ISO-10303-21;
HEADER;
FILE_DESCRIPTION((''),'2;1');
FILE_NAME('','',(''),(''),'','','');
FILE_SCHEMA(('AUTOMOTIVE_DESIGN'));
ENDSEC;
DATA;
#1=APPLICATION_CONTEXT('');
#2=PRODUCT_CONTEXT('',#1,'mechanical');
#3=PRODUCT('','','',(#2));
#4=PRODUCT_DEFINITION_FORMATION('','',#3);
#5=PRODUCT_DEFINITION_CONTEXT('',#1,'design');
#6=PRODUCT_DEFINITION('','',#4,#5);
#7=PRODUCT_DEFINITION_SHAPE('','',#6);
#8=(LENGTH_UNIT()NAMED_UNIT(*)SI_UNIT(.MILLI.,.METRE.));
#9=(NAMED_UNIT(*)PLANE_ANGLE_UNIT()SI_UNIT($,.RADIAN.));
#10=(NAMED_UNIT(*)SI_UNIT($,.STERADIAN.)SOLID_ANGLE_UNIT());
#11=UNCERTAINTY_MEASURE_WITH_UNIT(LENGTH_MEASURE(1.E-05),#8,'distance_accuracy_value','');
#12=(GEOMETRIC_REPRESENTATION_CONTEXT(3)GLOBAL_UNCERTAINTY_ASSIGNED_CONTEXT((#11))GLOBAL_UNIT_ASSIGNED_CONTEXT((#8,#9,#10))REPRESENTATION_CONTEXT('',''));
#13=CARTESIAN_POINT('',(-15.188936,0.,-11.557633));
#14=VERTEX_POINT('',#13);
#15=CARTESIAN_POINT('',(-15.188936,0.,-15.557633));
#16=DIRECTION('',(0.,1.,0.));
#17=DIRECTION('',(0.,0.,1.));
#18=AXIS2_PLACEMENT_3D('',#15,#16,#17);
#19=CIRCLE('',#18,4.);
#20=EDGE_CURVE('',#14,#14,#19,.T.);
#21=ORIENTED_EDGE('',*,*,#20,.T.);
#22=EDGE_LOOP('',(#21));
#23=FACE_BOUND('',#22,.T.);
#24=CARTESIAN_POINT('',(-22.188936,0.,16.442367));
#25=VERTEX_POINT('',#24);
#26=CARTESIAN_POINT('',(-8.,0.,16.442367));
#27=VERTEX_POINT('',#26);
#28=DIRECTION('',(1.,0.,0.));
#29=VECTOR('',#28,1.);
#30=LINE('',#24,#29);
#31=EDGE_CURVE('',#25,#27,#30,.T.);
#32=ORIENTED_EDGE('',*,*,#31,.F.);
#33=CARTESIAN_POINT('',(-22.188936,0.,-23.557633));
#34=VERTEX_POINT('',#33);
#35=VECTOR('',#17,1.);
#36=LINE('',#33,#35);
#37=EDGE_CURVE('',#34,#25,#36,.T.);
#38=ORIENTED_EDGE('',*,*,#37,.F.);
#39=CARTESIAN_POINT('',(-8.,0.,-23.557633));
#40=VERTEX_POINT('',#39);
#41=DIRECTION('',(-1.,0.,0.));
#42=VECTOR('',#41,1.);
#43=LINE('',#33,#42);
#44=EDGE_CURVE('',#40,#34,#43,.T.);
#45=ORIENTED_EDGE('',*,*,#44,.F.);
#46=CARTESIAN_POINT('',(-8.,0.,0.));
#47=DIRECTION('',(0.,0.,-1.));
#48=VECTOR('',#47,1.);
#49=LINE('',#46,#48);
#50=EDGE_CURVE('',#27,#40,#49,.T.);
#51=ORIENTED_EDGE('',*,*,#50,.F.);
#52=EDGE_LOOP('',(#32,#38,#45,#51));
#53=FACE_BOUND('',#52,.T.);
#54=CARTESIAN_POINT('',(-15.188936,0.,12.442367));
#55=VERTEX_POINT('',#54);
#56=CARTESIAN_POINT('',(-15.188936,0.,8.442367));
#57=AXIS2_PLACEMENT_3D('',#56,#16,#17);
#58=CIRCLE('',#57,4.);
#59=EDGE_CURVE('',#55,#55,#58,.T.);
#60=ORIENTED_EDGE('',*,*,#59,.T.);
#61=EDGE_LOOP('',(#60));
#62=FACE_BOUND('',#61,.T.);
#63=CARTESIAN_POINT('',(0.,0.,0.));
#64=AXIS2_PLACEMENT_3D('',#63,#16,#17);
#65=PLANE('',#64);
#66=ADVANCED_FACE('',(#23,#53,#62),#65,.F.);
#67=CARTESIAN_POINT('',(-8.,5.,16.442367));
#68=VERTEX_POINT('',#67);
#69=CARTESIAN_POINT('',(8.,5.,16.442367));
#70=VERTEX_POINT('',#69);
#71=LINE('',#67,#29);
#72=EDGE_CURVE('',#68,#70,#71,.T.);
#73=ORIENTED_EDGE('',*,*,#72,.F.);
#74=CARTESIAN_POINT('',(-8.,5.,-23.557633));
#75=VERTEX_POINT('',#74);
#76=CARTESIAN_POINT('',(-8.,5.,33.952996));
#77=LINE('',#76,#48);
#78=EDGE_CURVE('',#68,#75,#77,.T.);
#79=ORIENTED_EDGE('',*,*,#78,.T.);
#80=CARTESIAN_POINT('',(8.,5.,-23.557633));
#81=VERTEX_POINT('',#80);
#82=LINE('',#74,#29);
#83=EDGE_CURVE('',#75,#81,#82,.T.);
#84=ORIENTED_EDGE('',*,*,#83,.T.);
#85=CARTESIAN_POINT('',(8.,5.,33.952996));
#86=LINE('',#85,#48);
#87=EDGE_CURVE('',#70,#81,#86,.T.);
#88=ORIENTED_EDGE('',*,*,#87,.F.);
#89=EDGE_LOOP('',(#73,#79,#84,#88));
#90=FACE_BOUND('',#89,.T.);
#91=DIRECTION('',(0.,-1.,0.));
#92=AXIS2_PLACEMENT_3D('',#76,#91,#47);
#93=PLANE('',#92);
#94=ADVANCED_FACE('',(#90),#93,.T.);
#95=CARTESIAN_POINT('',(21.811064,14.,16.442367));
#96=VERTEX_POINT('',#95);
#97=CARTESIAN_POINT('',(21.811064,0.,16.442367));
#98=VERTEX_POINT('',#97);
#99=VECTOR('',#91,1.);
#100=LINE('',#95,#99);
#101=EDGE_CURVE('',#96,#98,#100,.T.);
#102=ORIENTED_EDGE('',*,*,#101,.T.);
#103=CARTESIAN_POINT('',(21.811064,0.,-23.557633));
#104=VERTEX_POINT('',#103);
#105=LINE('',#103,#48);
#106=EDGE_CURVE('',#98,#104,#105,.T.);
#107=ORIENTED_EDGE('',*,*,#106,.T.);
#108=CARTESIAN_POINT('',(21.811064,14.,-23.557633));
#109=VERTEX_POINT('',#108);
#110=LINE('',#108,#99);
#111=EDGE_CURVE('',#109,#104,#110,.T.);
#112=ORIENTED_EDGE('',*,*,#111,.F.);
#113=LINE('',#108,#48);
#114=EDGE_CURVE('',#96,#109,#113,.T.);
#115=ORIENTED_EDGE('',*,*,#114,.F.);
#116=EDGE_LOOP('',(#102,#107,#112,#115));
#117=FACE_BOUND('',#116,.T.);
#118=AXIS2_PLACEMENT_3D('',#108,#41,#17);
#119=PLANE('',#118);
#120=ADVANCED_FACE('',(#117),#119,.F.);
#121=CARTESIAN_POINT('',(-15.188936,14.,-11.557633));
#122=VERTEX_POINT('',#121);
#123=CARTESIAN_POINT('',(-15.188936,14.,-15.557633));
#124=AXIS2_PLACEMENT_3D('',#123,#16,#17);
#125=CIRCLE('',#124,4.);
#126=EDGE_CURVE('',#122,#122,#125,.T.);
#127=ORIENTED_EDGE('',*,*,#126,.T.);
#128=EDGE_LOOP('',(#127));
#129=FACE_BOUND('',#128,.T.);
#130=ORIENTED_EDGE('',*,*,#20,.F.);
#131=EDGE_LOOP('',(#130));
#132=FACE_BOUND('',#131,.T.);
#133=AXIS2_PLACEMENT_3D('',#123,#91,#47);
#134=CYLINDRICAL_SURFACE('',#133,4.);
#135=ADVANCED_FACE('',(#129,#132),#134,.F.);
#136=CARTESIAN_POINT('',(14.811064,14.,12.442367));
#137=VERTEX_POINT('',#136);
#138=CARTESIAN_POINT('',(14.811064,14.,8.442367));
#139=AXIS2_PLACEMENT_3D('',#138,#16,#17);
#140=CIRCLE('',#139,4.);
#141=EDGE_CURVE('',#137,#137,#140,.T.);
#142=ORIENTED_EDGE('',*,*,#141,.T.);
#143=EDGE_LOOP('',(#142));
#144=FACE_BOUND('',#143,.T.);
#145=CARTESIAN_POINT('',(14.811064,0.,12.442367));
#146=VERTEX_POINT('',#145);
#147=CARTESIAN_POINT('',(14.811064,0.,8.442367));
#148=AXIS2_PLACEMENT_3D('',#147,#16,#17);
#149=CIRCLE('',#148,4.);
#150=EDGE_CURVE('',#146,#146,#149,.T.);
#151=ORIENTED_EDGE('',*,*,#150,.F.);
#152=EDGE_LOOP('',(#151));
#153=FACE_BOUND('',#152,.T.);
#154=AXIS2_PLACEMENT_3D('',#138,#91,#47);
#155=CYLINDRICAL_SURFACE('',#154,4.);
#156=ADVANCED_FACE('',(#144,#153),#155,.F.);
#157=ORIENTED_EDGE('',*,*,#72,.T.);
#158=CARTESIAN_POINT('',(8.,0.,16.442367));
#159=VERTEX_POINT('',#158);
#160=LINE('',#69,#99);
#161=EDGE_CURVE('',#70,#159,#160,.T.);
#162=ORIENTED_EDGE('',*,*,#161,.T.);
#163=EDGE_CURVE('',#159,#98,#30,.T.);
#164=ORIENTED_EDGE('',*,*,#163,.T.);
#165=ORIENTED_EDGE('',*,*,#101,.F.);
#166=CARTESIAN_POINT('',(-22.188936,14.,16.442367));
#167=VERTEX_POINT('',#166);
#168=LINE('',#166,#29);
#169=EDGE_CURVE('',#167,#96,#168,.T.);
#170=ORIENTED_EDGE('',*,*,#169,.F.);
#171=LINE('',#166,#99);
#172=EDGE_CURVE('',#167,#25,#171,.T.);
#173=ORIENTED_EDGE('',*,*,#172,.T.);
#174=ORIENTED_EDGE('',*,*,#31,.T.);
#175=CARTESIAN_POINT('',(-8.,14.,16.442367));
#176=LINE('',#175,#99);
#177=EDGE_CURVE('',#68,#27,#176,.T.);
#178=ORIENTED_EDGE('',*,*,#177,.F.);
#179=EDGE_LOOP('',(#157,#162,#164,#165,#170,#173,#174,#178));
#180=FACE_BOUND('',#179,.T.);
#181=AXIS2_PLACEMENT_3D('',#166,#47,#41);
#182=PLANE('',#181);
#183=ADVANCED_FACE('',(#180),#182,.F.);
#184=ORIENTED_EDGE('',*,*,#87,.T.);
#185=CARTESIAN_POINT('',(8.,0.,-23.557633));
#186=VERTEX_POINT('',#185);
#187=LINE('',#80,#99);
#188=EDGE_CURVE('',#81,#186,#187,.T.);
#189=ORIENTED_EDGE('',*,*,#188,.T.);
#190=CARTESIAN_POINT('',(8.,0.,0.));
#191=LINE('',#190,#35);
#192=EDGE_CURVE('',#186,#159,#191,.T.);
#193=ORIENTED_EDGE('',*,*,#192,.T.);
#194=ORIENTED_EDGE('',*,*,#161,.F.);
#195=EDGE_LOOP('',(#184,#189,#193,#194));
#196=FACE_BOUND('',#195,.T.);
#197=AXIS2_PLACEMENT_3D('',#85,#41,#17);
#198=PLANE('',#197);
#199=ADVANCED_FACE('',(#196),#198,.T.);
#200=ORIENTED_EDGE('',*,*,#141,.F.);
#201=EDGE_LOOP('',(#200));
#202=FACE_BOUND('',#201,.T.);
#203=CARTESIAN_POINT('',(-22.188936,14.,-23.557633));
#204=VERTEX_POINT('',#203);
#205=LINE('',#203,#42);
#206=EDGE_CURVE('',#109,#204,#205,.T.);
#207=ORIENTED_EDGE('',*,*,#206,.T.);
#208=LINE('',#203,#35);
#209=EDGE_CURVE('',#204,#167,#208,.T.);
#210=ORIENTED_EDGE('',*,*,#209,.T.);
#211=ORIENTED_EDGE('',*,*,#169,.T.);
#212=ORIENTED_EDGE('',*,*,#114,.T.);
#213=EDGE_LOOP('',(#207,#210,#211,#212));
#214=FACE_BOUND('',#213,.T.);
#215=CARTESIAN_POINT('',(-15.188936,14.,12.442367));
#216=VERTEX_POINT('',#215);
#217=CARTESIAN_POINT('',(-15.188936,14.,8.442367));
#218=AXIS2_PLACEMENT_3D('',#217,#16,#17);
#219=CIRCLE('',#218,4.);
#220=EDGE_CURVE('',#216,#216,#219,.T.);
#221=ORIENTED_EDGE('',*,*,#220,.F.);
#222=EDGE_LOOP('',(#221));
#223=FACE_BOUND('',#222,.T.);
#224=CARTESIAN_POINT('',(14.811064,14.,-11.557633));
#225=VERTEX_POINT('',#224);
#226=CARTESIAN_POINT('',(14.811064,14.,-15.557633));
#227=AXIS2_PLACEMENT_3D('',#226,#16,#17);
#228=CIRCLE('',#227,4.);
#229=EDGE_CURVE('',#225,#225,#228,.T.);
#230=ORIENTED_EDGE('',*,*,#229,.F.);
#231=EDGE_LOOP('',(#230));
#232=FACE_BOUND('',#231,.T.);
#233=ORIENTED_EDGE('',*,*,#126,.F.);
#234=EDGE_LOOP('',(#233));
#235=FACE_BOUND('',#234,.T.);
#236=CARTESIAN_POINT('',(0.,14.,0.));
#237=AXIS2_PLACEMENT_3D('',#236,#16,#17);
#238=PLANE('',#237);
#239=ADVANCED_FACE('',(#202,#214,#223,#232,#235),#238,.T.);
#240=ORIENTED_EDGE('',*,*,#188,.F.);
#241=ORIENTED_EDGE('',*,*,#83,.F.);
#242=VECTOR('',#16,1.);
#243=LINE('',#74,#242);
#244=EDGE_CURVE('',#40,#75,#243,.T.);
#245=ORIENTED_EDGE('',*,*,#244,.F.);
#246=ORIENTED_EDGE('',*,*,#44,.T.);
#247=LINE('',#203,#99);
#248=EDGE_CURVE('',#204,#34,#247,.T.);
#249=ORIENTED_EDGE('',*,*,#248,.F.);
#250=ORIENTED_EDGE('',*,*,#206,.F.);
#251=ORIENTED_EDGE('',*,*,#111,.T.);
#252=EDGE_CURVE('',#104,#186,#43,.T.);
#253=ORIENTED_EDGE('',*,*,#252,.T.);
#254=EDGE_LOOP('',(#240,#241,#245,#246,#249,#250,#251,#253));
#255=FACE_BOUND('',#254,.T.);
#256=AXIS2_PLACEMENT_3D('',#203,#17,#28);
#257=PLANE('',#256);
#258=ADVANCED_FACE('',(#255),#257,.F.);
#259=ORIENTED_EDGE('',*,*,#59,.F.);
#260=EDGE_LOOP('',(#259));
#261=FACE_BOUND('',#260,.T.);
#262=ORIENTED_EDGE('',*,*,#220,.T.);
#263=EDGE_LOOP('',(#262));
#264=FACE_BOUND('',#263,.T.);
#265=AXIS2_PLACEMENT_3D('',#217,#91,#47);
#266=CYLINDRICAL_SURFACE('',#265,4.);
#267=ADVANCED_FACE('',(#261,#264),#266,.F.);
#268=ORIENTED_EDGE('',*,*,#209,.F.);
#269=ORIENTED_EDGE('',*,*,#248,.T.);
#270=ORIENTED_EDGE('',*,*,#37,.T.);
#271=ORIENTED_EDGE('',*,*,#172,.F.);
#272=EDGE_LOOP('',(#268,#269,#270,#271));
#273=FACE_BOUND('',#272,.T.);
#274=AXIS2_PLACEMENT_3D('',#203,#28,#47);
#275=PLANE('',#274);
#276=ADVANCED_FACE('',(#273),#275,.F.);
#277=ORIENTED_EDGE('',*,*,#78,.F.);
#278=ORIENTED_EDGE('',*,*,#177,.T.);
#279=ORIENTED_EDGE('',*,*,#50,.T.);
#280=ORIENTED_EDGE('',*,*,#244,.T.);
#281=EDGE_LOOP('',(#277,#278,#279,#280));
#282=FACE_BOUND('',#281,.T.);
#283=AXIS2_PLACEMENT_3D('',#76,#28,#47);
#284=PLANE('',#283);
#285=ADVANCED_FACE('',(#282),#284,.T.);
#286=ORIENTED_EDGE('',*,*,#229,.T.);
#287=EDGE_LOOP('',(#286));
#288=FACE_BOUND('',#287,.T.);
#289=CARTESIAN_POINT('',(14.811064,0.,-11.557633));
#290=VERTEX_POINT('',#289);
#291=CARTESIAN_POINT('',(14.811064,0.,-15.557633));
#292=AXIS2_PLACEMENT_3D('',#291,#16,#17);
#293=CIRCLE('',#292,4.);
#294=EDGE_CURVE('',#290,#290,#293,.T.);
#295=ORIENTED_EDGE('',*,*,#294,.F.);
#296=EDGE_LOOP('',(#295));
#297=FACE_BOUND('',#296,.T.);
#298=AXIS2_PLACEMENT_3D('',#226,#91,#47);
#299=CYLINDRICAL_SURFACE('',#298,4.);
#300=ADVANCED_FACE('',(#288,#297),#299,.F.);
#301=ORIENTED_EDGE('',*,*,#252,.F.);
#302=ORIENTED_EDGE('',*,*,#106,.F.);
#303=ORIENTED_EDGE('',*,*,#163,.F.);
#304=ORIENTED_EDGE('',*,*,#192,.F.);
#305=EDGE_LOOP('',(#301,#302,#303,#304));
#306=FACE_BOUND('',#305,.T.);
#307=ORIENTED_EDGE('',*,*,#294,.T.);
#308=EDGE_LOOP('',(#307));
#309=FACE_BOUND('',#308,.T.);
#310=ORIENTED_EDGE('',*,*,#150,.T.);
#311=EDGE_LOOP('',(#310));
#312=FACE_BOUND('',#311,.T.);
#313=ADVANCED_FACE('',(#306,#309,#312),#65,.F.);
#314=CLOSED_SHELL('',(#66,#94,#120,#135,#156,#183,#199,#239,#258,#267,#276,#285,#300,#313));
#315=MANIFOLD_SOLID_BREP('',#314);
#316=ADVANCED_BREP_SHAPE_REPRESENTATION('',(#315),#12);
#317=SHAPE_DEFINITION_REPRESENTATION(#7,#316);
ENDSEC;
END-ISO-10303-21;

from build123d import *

# Parameters (mm, degrees)
SKETCH1_W                      = 44
SKETCH1_H                      = 40
SKETCH1_R                      = 4
BOSS_EXTRUDE1_DEPTH            = 14
CUT_EXTRUDE1_REACH             = 18.442
SKETCH2_W                      = 16
SKETCH2_H                      = 7.114924263
CUT_EXTRUDE1_DIRECTION_2_REACH = 25.558


with BuildPart() as part:
    # Sketch1 → Boss-Extrude1 (new body)
    with BuildSketch(Plane(origin=(0, 0, 0), x_dir=(1, 0, 0), z_dir=(0, 1, 0))):
        with Locations((-0.188936111, 3.557633072)):
            Rectangle(SKETCH1_W, SKETCH1_H)
        with Locations((14.811063889, -8.442366928)):
            Circle(SKETCH1_R, mode=Mode.SUBTRACT)
        with Locations((14.811063889, 15.557633072)):
            Circle(SKETCH1_R, mode=Mode.SUBTRACT)
        with Locations((-15.188936111, 15.557633072)):
            Circle(SKETCH1_R, mode=Mode.SUBTRACT)
        with Locations((-15.188936111, -8.442366928)):
            Circle(SKETCH1_R, mode=Mode.SUBTRACT)
    extrude(amount=BOSS_EXTRUDE1_DEPTH)

    # Cut-Extrude1: up to this face of the body (flat: up to its plane)
    cut_extrude1_end = Plane(part.part.faces().sort_by_distance((-0.188936111, 7, 16.442366928))[0])
    # Sketch2 → Cut-Extrude1 (cut, up to the picked face)
    with BuildSketch(Plane.XY, mode=Mode.PRIVATE) as cut_extrude1_sk1:
        with Locations((0, 1.442537868)):
            Rectangle(SKETCH2_W, SKETCH2_H)
    cut_extrude1_tool1 = split(extrude(cut_extrude1_sk1.sketch, amount=CUT_EXTRUDE1_REACH, mode=Mode.PRIVATE), bisect_by=cut_extrude1_end, keep=Keep.BOTH, mode=Mode.PRIVATE)
    add(cut_extrude1_tool1.solids().sort_by_distance((0, 1.442538, 0))[0], mode=Mode.SUBTRACT)

    # Cut-Extrude1 direction 2: up to this face of the body (flat: up to its plane)
    cut_extrude1_direction_2_end = Plane(part.part.faces().sort_by_distance((-0.188936111, 7, -23.557633072))[0])
    # Sketch2 → Cut-Extrude1 direction 2 (cut, up to the picked face)
    with BuildSketch(Plane.XY, mode=Mode.PRIVATE) as cut_extrude1_direction_2_sk1:
        with Locations((0, 1.442537868)):
            Rectangle(SKETCH2_W, SKETCH2_H)
    cut_extrude1_direction_2_tool1 = split(extrude(cut_extrude1_direction_2_sk1.sketch, amount=-CUT_EXTRUDE1_DIRECTION_2_REACH, mode=Mode.PRIVATE), bisect_by=cut_extrude1_direction_2_end, keep=Keep.BOTH, mode=Mode.PRIVATE)
    add(cut_extrude1_direction_2_tool1.solids().sort_by_distance((0, 1.442538, 0))[0], mode=Mode.SUBTRACT)


solid = part.part
